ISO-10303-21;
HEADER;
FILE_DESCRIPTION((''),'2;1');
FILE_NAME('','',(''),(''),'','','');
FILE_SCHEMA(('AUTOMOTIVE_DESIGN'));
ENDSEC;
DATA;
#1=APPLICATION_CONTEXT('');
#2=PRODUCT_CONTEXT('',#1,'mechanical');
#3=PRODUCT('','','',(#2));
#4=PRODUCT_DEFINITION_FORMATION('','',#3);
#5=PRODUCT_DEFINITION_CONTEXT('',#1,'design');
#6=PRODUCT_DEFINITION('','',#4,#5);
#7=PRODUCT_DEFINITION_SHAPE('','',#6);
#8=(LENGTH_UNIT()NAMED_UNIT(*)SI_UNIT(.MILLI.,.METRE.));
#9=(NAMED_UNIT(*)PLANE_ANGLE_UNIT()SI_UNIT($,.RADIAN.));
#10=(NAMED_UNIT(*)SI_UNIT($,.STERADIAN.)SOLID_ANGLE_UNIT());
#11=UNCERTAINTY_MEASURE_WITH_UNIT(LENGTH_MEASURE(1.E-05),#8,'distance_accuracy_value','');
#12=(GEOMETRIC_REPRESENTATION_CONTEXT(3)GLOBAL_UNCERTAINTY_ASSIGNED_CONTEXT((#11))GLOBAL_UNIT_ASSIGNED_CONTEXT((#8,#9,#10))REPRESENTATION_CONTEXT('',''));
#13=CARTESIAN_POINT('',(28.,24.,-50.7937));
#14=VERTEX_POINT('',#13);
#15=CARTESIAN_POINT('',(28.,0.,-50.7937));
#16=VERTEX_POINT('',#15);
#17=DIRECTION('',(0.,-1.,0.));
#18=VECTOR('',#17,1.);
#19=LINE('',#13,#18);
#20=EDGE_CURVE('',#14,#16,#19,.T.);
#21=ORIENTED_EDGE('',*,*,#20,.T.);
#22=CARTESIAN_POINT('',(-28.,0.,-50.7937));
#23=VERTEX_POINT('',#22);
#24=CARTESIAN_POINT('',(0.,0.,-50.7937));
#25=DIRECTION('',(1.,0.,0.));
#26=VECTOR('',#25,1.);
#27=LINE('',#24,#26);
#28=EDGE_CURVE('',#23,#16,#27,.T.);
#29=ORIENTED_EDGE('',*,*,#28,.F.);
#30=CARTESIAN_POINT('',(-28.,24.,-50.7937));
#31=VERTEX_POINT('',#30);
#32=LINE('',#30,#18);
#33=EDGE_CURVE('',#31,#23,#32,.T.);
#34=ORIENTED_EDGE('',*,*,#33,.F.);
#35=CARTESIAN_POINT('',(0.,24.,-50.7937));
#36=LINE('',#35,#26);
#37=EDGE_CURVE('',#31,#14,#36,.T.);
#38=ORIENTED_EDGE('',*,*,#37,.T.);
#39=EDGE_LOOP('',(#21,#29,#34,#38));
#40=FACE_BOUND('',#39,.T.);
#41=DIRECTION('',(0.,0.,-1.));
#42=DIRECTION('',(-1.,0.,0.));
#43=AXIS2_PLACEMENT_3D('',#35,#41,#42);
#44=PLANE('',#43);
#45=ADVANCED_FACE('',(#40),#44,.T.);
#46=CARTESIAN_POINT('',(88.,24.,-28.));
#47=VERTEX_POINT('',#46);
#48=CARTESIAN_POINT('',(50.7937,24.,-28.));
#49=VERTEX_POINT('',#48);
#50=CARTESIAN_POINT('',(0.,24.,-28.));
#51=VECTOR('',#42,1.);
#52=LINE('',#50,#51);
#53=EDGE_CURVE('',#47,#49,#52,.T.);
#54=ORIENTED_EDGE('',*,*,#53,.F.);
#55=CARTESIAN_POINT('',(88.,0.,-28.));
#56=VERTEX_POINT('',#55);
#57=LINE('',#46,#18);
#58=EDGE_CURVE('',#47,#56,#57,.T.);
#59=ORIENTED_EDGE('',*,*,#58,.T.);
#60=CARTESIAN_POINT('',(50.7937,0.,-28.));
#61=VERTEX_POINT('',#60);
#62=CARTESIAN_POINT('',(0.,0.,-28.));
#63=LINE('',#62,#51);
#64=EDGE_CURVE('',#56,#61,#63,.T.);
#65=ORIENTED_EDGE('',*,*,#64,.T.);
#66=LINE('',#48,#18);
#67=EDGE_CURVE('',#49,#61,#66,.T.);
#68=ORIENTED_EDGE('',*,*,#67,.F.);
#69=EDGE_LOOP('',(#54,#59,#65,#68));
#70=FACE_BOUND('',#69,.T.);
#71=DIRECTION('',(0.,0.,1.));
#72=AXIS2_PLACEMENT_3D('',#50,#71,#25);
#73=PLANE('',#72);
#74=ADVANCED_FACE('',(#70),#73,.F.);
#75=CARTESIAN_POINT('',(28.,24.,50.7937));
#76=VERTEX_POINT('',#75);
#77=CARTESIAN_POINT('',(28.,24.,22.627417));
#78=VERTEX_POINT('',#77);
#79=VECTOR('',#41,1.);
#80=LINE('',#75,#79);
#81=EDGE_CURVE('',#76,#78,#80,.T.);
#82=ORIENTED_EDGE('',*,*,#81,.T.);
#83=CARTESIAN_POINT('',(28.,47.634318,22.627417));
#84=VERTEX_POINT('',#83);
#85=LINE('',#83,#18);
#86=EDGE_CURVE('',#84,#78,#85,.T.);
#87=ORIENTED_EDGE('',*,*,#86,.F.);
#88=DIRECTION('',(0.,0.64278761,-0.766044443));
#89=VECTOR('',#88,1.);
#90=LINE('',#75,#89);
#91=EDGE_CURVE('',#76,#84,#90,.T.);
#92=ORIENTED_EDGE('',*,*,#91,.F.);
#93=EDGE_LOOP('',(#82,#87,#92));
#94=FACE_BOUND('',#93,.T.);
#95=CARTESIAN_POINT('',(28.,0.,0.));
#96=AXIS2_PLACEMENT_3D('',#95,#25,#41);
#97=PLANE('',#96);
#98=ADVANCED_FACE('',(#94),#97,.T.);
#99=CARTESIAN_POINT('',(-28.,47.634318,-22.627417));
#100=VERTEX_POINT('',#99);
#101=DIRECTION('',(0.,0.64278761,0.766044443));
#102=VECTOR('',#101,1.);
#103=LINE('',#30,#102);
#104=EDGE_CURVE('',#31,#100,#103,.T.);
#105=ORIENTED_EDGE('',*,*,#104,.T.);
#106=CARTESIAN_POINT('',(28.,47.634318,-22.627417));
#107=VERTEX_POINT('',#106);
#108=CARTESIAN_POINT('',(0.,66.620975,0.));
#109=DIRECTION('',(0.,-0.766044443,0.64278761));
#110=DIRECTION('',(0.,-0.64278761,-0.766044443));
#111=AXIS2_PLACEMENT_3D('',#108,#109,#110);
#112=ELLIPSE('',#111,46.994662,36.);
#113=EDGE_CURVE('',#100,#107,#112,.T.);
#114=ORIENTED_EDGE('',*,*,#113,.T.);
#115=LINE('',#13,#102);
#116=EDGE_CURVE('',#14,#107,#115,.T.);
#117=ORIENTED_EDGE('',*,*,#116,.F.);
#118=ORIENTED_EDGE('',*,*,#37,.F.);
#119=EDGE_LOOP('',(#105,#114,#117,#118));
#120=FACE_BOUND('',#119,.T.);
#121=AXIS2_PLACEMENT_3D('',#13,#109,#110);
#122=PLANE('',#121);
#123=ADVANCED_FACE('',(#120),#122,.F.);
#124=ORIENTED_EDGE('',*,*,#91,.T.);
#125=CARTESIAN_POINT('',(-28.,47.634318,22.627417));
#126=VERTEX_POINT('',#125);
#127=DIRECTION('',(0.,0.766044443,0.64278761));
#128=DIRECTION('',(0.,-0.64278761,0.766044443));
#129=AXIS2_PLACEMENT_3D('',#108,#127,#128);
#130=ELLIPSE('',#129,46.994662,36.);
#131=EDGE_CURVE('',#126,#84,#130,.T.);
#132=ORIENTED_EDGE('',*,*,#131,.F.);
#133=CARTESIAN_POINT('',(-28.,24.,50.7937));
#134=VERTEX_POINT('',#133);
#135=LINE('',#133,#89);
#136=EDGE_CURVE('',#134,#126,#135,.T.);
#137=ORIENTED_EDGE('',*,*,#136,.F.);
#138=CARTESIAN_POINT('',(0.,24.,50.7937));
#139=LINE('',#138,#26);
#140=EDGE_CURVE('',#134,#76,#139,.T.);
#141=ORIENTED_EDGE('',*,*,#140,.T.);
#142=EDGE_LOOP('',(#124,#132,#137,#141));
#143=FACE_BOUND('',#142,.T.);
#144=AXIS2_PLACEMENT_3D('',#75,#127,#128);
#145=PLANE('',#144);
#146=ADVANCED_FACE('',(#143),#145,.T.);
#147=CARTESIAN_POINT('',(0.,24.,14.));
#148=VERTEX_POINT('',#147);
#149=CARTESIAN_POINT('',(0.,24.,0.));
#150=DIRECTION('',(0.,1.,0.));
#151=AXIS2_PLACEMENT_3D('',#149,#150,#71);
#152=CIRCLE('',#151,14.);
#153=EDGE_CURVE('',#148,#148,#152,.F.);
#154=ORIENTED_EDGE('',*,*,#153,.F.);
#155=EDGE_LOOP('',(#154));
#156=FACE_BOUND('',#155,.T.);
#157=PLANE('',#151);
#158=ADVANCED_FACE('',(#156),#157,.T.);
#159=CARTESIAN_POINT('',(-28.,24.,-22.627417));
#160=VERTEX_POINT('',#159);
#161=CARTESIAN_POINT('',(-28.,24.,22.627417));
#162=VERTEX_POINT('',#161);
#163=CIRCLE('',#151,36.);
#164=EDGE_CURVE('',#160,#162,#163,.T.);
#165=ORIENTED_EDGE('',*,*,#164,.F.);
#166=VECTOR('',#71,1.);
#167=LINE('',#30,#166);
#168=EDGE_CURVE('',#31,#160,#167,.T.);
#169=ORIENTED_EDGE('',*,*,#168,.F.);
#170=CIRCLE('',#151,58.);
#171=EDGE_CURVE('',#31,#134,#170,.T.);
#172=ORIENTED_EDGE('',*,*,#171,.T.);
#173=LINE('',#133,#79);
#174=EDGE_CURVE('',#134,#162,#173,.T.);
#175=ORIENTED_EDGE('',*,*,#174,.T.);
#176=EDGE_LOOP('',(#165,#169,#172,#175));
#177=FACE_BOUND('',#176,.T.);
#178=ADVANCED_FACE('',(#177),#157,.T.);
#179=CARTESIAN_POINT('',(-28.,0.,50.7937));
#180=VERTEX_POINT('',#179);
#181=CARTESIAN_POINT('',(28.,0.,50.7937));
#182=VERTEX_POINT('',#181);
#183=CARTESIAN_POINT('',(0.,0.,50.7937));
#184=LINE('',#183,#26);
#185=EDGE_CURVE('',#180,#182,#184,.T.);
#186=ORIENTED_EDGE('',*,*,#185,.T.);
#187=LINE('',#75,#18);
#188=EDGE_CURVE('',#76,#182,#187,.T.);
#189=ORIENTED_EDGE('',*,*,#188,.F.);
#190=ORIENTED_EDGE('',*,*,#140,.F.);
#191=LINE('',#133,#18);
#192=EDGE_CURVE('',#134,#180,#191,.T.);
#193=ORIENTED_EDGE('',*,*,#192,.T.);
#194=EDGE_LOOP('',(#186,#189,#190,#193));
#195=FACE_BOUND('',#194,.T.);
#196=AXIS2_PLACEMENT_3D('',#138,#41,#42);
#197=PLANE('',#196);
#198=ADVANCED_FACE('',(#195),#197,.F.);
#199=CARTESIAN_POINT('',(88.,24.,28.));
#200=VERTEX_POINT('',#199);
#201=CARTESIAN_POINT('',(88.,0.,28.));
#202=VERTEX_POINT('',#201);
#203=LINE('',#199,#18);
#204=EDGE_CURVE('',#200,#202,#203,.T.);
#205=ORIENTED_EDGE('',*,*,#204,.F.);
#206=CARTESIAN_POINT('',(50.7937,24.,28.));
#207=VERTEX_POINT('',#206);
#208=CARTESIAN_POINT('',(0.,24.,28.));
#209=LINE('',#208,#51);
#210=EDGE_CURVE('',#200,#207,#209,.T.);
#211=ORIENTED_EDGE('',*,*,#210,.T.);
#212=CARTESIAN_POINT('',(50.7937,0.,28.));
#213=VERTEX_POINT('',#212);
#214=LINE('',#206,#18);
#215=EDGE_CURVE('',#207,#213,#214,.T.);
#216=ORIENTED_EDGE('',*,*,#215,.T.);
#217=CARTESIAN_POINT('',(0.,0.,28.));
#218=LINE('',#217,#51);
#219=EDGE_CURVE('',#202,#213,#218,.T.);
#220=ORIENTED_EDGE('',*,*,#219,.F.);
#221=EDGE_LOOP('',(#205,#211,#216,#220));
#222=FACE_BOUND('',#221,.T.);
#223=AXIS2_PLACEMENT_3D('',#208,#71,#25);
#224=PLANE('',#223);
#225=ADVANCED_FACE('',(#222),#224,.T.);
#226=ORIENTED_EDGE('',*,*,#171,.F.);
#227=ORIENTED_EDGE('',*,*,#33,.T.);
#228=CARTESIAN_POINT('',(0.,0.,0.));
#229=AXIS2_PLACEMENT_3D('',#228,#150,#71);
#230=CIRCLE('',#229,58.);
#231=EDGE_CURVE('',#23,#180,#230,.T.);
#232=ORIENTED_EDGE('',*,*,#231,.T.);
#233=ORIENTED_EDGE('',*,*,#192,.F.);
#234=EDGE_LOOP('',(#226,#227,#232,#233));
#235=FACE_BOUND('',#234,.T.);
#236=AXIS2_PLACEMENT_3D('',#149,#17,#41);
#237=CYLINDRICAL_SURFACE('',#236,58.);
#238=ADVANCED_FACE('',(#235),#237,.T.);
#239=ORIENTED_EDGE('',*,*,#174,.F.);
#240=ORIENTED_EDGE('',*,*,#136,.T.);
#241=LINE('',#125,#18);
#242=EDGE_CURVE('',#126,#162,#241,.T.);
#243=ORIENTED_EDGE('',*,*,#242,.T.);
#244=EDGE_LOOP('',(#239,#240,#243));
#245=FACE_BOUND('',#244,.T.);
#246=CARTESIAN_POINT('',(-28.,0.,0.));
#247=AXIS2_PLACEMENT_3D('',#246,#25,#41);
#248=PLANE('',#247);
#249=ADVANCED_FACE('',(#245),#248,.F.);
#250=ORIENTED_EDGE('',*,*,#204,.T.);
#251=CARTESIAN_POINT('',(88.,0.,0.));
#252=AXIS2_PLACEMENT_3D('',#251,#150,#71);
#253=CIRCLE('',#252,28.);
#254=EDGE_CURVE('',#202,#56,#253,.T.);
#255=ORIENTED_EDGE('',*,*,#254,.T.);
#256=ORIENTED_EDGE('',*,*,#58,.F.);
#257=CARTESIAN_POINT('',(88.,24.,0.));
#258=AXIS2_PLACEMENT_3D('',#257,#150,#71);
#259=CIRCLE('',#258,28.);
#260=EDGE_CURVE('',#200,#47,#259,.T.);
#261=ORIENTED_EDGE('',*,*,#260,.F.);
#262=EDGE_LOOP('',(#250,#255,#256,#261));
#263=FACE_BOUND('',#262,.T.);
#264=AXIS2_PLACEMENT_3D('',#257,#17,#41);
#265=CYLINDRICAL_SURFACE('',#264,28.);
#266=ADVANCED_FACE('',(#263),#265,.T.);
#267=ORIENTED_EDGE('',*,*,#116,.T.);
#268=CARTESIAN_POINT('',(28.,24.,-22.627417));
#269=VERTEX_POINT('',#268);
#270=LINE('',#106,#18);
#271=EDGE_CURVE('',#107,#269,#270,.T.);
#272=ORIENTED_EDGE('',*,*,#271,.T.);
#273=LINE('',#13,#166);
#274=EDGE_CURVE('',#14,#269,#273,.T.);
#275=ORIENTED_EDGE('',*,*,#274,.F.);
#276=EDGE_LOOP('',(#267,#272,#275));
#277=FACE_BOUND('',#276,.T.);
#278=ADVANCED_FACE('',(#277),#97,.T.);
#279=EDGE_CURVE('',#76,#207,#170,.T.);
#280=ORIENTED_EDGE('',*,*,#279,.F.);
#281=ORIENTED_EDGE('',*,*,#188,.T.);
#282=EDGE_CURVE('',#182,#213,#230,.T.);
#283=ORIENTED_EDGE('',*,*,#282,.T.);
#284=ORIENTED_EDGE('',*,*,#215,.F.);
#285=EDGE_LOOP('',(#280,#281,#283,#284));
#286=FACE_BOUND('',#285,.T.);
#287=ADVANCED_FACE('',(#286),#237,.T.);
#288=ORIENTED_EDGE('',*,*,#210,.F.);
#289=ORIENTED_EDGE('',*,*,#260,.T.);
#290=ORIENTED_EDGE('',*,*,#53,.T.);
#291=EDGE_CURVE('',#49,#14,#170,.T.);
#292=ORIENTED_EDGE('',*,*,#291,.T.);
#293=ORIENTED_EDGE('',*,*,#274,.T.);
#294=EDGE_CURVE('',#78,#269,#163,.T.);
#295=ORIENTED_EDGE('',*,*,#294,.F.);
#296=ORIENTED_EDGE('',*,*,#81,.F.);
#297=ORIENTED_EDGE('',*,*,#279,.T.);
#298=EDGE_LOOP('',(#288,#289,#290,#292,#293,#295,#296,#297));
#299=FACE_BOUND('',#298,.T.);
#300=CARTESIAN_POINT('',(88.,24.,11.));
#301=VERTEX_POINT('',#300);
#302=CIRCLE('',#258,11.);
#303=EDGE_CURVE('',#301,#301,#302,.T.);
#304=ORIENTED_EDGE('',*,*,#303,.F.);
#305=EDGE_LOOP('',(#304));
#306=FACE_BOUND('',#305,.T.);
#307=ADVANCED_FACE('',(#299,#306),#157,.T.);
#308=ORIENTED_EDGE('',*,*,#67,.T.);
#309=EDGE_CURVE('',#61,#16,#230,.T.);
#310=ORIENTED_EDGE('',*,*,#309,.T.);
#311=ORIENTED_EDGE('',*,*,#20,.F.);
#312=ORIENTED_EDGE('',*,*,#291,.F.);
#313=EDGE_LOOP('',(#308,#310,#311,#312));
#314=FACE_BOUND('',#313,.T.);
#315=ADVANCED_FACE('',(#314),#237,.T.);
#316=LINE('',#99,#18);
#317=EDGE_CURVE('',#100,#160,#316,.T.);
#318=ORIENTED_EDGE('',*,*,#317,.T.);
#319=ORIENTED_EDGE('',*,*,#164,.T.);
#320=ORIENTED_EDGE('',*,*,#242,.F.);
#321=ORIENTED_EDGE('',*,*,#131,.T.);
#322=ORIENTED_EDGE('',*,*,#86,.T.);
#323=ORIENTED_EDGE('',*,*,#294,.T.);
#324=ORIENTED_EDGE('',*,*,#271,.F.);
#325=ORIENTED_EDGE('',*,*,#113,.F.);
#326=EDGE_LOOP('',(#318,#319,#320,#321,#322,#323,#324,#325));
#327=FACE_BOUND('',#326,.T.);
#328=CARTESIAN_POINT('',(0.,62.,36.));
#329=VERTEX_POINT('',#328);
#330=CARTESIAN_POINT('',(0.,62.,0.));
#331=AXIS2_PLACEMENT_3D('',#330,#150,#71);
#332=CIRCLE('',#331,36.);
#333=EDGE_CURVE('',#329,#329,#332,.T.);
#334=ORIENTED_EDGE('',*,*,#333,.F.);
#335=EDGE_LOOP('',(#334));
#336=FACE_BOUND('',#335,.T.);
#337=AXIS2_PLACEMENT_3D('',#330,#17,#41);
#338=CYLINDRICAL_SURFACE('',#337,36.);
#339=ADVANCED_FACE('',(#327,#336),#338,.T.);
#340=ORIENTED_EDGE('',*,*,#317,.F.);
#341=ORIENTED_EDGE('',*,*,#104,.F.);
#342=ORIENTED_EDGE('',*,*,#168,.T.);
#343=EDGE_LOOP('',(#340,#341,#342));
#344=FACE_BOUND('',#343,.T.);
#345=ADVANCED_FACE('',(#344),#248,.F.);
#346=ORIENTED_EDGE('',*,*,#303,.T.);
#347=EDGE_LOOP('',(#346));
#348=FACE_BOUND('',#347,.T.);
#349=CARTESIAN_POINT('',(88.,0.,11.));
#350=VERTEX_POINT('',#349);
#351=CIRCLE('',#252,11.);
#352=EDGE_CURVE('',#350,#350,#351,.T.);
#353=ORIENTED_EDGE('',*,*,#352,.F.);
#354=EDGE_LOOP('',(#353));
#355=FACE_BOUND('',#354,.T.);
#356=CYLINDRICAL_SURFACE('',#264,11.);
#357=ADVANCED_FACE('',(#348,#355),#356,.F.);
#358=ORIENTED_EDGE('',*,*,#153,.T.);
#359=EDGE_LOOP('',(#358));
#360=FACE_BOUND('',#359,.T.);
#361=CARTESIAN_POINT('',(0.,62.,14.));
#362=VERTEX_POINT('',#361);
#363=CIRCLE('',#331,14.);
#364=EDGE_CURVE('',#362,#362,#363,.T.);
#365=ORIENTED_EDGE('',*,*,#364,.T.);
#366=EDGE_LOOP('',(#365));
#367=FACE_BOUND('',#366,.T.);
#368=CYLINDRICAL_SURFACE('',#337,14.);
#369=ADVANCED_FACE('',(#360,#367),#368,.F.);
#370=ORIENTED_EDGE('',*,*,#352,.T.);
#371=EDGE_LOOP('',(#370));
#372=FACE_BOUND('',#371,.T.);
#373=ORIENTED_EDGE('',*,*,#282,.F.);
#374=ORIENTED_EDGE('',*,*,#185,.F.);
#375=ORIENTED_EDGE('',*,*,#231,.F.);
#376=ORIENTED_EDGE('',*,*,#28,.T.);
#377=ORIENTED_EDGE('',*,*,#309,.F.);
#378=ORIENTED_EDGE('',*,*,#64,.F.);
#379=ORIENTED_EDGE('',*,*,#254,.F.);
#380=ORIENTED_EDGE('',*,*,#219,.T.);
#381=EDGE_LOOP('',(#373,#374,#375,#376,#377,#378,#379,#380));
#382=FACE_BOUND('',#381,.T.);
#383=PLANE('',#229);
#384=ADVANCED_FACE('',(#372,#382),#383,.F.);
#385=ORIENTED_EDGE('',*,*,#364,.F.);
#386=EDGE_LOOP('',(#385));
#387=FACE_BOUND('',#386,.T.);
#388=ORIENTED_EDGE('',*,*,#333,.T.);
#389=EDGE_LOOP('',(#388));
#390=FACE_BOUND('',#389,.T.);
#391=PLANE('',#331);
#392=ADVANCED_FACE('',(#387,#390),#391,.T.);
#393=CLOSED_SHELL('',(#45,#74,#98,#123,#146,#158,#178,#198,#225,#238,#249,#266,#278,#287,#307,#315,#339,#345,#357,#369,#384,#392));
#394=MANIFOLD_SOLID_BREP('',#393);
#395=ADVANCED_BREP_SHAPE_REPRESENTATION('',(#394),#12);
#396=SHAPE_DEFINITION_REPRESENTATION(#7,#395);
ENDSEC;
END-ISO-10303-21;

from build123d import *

# Parameters (mm, degrees)
SKETCH1_R          = 11
BASE_DEPTH         = 24
SKETCH2_R          = 36
SKETCH2_R_2        = 14
TOP_CYLINDER_DEPTH = 38
SIDE_ARMS_DEPTH    = 56


with BuildPart() as part:
    # Sketch1 → base (new body)
    with BuildSketch(Plane(origin=(0, 0, 0), x_dir=(1, 0, 0), z_dir=(0, 1, 0))):
        with BuildLine():
            Line((-28, -50.793700397), (28, -50.793700397))
            ThreePointArc((28, -50.793700397), (41.012193309, -41.012193309), (50.793700397, -28))
            Line((50.793700397, -28), (88, -28))
            ThreePointArc((88, -28), (116, 0), (88, 28))
            Line((88, 28), (50.793700397, 28))
            ThreePointArc((50.793700397, 28), (41.012193309, 41.012193309), (28, 50.793700397))
            Line((28, 50.793700397), (-28, 50.793700397))
            ThreePointArc((-28, 50.793700397), (-58, 0), (-28, -50.793700397))
        make_face()
        with Locations(Location((88, 0, 0), (0, 0, 270))):
            Circle(SKETCH1_R, mode=Mode.SUBTRACT)
    extrude(amount=BASE_DEPTH)

    # Sketch2 → top cylinder (add)
    with BuildSketch(Plane(origin=(0, 24, 0), x_dir=(1, 0, 0), z_dir=(0, 1, 0))):
        with Locations(Location((0, 0, 0), (0, 0, 270))):
            Circle(SKETCH2_R)
        with Locations(Location((0, 0, 0), (0, 0, 270))):
            Circle(SKETCH2_R_2, mode=Mode.SUBTRACT)
    extrude(amount=TOP_CYLINDER_DEPTH)

    # 3DSketch1 → side arms (add)
    with BuildSketch(Plane(origin=(28, 24, 50.793700397), x_dir=(0, 0, -1), z_dir=(1, 0, 0))):
        Polygon((0, 0), (28.166283399, 23.634318012), (28.166283399, 0), align=None)
        Polygon((101.587400794, 0), (73.421117395, 23.634318012), (73.421117395, 0), align=None)
    extrude(amount=-SIDE_ARMS_DEPTH)


solid = part.part
